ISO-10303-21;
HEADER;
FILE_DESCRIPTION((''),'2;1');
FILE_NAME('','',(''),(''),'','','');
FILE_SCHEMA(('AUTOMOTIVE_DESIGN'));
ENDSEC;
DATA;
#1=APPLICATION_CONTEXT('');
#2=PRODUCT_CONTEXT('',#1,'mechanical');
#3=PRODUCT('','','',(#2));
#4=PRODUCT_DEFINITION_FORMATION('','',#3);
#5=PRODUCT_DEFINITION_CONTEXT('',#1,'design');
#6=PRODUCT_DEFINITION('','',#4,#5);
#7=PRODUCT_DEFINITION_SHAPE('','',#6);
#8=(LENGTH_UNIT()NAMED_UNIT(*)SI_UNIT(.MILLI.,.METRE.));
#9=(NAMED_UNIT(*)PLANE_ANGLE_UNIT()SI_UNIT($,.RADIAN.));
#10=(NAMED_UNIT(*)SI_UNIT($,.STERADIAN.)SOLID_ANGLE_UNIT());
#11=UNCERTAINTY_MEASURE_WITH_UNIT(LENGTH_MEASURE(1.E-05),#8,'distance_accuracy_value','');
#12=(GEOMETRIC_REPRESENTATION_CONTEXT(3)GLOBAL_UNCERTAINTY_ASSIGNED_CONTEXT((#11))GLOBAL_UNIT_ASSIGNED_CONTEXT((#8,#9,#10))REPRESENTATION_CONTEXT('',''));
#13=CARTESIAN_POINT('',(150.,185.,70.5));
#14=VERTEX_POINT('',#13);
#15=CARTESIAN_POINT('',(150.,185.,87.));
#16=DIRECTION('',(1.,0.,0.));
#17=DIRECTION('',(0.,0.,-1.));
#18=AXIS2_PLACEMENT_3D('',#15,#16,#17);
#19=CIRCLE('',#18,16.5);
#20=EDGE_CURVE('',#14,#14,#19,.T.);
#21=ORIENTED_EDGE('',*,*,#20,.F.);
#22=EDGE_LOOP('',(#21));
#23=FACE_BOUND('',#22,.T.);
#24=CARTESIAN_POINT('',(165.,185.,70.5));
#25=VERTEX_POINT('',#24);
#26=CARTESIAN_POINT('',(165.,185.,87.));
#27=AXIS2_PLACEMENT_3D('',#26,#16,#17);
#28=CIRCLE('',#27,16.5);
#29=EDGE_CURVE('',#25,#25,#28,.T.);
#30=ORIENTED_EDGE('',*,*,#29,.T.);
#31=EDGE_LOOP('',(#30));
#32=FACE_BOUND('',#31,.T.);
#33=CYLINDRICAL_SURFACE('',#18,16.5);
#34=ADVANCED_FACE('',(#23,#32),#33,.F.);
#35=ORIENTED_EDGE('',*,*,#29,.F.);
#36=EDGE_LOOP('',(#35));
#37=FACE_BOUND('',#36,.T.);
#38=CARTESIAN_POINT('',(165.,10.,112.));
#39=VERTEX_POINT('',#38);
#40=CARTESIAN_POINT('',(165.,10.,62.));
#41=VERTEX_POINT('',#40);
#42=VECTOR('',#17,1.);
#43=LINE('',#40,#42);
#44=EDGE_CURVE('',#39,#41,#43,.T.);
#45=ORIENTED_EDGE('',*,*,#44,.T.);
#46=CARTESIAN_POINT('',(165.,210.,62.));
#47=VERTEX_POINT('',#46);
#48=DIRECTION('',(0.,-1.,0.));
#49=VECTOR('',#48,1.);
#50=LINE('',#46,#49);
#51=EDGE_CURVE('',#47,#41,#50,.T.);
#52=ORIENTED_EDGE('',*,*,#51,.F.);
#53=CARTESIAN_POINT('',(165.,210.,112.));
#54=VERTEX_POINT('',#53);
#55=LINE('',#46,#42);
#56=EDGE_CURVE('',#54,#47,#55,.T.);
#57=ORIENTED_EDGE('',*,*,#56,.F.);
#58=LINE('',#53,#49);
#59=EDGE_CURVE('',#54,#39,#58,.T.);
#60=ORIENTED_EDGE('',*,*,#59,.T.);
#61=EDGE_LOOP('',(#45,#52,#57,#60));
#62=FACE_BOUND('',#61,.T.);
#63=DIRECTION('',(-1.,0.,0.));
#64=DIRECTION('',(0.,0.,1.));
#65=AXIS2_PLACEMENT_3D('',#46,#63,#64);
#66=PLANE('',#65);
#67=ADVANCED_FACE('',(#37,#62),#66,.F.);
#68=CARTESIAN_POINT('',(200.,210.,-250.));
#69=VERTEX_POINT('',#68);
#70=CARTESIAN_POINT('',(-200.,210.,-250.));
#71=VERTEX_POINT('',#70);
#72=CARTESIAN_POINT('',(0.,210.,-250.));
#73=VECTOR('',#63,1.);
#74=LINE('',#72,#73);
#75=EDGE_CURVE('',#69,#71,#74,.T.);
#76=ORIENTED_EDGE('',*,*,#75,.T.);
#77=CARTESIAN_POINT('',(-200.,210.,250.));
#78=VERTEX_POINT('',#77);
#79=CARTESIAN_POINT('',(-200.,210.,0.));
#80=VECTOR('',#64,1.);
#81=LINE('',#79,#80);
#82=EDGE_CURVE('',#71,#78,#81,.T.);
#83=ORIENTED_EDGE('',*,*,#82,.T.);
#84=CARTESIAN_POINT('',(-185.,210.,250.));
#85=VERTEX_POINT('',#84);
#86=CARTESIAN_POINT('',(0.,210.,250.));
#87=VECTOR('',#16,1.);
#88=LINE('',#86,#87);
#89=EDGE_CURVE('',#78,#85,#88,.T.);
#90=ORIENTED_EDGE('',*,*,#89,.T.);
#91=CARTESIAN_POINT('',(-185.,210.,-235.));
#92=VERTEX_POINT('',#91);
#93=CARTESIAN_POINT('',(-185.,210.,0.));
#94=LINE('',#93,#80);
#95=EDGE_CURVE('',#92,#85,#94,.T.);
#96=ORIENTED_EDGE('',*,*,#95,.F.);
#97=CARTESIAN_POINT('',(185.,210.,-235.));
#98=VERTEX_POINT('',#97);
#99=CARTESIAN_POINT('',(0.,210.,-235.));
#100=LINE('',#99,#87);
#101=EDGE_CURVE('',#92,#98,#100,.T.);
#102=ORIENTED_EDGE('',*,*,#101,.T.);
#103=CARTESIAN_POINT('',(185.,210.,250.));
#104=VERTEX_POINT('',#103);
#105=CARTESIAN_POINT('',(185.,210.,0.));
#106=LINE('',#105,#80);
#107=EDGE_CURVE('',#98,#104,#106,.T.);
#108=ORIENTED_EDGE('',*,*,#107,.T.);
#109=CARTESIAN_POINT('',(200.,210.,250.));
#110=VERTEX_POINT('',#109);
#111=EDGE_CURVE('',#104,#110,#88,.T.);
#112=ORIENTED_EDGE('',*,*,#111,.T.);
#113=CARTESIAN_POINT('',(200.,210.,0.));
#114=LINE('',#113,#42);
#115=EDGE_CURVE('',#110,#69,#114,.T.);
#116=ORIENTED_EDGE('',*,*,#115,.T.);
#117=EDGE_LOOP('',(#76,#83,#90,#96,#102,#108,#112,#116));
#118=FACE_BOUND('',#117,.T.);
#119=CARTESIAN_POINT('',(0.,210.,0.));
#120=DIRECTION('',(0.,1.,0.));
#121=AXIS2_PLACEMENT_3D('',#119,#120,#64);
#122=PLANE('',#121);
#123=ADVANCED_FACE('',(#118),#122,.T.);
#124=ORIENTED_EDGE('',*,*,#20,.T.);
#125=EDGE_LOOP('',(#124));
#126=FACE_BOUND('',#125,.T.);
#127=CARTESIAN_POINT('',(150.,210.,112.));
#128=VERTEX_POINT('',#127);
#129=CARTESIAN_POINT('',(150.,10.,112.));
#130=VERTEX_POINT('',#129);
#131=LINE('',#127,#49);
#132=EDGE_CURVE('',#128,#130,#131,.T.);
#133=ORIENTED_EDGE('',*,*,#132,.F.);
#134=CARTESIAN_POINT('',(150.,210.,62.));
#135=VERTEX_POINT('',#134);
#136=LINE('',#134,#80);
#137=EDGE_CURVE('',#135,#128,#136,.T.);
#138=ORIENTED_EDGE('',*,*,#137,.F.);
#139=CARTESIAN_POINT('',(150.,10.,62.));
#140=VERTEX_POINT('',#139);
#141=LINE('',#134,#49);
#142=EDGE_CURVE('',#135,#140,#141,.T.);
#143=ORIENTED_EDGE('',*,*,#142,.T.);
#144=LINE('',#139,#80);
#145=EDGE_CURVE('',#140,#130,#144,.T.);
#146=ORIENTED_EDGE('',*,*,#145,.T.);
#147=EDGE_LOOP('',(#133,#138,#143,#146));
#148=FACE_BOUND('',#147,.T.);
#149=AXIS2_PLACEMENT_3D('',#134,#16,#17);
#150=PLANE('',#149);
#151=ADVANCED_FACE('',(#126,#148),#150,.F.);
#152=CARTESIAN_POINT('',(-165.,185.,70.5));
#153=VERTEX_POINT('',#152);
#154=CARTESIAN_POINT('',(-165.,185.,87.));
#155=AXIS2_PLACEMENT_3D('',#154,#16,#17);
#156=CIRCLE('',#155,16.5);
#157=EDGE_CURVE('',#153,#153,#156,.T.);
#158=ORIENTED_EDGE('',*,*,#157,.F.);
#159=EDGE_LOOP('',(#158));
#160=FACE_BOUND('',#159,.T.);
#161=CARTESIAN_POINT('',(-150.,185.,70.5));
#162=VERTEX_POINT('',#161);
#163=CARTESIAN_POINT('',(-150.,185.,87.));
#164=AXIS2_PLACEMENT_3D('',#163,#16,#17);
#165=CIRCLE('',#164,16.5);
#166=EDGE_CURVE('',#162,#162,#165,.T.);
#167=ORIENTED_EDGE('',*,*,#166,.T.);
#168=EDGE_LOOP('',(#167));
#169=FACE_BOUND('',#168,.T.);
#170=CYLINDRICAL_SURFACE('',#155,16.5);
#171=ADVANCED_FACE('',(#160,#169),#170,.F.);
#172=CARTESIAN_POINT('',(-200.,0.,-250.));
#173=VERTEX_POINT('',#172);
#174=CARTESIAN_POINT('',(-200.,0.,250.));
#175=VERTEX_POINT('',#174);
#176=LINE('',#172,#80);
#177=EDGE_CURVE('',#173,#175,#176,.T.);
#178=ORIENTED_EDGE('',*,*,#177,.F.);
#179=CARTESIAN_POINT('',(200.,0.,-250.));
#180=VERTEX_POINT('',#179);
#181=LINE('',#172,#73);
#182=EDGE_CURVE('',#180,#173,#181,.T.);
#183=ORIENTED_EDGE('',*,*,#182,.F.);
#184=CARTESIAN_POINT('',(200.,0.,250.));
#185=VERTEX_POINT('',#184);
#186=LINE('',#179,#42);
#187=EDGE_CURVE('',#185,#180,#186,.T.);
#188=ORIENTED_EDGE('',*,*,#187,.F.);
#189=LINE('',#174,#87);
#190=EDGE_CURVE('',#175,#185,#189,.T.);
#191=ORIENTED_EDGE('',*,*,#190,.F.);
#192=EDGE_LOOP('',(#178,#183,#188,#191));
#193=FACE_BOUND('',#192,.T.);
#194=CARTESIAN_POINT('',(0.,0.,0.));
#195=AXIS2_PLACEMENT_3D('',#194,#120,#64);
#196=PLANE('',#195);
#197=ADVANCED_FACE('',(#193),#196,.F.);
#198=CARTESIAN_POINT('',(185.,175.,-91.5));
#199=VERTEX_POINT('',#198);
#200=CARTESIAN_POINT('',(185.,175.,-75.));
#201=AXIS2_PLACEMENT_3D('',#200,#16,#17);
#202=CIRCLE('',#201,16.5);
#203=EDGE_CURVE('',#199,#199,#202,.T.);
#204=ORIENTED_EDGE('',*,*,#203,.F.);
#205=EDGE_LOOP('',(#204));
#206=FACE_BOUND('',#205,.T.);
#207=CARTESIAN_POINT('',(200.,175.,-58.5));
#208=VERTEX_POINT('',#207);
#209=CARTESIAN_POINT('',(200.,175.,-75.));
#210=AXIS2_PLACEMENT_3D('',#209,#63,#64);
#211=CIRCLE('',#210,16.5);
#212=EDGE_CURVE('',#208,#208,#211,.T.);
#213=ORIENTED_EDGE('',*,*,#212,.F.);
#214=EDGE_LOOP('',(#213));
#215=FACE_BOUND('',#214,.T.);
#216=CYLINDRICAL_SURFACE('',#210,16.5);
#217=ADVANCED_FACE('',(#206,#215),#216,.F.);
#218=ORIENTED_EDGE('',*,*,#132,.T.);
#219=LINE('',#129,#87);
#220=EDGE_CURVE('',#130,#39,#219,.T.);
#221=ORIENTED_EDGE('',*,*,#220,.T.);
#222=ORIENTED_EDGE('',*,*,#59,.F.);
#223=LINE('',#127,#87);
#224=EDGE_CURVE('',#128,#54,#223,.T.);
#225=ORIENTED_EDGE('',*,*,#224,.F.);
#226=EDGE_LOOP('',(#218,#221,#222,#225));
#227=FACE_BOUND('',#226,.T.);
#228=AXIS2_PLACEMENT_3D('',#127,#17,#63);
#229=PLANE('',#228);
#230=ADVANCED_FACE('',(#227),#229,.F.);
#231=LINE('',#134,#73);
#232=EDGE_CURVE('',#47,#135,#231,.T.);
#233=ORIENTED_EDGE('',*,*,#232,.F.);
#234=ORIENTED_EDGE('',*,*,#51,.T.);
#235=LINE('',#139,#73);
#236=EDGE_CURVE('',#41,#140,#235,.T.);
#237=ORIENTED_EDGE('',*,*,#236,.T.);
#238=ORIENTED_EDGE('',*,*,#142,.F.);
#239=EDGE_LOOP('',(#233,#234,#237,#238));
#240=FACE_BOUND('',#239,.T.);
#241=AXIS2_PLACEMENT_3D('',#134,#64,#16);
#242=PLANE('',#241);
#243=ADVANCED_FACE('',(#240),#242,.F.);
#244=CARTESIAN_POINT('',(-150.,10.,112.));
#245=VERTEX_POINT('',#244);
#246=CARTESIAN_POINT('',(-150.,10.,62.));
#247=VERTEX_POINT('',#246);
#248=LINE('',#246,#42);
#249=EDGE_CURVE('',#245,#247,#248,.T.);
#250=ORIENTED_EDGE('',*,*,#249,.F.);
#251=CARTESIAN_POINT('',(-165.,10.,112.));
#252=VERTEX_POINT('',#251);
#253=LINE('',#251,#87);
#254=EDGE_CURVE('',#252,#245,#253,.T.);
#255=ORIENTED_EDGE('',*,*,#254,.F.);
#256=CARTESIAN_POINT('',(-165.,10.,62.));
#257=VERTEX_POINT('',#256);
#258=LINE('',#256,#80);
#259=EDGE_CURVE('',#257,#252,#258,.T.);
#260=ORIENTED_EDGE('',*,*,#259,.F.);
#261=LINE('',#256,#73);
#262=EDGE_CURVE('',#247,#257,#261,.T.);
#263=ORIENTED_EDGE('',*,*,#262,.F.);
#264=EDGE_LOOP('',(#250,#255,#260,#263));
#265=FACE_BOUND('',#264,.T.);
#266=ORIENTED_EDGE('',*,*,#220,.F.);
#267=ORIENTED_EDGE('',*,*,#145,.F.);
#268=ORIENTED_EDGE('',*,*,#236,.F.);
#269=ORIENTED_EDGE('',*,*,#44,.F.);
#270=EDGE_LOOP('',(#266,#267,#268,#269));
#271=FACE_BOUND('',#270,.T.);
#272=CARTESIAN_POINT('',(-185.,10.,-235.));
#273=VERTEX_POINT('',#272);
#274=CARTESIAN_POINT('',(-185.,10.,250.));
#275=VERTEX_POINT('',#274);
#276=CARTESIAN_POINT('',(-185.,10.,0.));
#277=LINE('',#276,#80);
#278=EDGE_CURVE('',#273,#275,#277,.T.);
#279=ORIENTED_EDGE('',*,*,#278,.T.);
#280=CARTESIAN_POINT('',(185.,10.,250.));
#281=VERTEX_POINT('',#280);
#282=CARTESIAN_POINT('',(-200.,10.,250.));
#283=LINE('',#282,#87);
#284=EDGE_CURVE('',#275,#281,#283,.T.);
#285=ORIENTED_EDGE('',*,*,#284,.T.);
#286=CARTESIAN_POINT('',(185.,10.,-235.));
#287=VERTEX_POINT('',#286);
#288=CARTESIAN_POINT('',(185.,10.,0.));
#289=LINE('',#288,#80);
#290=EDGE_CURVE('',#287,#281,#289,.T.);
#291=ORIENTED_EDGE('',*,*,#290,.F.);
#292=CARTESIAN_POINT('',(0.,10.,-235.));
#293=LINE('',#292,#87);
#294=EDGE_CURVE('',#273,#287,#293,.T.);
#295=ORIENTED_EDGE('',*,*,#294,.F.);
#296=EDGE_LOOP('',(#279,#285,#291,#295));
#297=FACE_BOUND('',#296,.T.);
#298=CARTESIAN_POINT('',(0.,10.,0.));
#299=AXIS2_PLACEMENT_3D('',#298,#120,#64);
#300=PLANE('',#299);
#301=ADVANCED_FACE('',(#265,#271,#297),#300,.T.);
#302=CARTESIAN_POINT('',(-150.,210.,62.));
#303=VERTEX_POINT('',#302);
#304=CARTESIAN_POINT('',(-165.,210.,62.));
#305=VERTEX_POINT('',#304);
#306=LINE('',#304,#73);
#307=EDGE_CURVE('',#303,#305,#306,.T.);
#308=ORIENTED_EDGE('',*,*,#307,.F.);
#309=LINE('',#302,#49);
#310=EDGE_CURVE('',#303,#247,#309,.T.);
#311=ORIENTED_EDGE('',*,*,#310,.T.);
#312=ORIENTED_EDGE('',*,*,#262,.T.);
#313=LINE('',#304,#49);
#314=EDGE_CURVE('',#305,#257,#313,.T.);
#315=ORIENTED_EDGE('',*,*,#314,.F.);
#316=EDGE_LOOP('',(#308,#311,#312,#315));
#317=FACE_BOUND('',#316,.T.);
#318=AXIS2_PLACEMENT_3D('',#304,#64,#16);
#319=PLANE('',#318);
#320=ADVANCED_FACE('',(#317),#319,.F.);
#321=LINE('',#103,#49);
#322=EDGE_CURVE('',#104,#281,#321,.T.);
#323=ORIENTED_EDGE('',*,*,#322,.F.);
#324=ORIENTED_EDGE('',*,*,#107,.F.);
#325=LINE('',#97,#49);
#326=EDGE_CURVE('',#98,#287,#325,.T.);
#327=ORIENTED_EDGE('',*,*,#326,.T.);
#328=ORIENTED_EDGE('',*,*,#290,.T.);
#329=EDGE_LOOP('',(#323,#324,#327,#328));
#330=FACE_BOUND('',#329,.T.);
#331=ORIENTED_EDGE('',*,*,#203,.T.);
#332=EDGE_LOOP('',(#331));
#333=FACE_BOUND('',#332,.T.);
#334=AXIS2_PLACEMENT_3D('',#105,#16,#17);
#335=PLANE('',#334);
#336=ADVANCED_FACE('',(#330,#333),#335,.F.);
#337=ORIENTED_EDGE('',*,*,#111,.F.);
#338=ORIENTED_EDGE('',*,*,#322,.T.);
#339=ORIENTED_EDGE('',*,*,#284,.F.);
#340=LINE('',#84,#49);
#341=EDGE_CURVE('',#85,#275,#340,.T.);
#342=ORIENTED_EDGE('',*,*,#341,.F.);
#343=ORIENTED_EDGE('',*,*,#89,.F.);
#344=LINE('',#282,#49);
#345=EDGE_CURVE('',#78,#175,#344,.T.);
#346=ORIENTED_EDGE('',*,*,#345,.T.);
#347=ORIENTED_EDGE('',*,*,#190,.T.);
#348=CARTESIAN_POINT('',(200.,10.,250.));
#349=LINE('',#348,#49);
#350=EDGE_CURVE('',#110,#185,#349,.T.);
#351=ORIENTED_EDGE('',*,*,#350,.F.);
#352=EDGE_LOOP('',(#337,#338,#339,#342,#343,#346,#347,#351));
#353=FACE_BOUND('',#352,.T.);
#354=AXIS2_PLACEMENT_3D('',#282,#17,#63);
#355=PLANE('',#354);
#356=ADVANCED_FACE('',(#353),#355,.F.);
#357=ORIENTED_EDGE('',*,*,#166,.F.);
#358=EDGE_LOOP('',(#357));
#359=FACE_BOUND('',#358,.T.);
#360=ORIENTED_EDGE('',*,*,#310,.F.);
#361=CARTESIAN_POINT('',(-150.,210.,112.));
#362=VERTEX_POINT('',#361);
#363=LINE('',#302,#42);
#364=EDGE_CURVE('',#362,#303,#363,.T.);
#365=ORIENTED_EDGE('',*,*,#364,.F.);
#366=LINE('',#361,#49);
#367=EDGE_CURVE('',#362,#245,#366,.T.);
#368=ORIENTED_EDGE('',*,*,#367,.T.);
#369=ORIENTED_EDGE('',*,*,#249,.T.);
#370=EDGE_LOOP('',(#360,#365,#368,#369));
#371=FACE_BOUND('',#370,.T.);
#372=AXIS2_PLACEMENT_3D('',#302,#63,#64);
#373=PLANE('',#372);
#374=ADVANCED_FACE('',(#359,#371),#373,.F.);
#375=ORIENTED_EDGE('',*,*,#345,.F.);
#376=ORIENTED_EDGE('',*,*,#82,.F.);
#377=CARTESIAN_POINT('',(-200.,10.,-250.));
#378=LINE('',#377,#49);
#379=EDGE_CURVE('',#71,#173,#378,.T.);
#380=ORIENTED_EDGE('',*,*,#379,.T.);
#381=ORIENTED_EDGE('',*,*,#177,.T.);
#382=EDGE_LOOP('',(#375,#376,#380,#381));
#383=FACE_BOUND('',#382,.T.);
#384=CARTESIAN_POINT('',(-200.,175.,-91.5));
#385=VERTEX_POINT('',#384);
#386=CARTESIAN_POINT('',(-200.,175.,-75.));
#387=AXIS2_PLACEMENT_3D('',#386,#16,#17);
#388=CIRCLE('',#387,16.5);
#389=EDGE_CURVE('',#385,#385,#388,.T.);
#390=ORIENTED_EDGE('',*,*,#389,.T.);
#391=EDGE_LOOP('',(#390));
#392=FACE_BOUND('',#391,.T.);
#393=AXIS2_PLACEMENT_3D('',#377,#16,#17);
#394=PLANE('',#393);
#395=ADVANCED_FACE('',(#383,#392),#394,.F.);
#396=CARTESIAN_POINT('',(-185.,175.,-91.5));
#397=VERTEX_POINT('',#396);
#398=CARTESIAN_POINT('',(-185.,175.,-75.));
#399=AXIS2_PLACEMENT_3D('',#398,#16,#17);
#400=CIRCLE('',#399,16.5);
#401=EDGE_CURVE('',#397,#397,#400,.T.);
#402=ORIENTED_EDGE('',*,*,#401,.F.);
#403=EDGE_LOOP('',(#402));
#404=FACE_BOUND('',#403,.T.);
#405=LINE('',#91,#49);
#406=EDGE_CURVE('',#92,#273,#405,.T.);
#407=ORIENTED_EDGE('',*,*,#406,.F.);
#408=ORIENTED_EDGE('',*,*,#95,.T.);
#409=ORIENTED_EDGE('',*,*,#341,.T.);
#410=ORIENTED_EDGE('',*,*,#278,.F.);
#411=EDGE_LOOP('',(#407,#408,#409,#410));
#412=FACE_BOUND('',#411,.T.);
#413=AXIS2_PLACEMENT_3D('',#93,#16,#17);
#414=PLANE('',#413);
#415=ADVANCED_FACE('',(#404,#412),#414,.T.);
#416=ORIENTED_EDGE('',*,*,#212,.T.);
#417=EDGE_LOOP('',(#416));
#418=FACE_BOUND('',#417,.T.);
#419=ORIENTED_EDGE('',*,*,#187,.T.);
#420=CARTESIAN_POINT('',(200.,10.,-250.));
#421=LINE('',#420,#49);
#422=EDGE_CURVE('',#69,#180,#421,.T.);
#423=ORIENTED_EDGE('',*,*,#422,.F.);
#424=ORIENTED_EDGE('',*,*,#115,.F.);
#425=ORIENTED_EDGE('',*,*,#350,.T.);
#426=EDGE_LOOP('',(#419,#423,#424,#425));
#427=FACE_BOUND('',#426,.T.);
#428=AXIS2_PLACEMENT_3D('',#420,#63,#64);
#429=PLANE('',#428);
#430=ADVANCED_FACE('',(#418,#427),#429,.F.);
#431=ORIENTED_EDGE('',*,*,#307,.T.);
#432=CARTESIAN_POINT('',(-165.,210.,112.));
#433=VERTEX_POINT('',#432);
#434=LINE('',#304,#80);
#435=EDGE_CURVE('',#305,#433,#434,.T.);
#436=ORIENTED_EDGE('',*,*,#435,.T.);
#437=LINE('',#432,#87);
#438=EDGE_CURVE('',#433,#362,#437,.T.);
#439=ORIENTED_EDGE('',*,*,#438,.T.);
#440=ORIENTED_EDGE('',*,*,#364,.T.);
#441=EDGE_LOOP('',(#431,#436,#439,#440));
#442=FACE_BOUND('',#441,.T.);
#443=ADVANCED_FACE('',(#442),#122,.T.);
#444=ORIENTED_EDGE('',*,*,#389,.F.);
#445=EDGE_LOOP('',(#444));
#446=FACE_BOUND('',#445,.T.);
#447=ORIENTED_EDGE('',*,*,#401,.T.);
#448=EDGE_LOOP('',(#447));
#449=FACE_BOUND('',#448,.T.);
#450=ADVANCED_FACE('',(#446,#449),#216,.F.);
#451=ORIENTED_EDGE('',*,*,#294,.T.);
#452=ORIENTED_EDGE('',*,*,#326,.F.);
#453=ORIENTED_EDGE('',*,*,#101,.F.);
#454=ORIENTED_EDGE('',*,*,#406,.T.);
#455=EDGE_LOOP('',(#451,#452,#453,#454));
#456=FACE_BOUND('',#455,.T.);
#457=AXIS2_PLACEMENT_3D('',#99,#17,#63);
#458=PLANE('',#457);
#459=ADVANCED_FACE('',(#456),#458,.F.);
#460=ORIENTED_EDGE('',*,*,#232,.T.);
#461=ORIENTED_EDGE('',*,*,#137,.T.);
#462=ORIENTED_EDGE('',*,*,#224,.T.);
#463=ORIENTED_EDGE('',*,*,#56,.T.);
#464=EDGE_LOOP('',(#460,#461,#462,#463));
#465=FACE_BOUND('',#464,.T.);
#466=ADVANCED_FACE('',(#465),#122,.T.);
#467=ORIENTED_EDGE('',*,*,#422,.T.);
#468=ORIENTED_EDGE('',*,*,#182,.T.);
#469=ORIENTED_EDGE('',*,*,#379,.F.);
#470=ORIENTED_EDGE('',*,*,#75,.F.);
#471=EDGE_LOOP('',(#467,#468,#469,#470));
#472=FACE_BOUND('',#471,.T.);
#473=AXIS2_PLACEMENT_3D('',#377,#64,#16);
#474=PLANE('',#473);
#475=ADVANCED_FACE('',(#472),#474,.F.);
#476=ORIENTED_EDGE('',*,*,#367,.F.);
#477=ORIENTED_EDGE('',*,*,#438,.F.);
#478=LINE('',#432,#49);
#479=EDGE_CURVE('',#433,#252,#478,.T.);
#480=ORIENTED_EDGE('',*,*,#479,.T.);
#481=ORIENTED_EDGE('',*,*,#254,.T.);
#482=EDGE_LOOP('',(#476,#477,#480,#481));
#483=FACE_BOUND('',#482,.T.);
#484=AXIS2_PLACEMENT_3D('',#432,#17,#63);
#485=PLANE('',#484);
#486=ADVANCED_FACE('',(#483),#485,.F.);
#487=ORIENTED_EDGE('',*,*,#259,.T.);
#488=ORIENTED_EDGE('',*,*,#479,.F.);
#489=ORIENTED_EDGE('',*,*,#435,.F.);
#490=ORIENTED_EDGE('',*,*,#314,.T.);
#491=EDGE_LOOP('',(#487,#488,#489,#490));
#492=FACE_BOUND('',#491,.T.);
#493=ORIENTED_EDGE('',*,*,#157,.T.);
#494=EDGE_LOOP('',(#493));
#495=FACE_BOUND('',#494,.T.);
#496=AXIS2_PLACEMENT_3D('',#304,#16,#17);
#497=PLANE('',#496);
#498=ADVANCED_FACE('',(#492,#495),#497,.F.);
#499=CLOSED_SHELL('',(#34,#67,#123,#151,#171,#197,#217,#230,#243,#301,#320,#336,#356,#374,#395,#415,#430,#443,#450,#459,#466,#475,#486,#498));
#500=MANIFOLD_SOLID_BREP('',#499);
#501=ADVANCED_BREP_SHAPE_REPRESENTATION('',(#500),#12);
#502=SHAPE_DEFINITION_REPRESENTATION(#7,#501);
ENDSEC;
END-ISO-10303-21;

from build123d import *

# Parameters (mm, degrees)
SKETCH3_W               = 400
SKETCH3_H               = 500
BOSS_EXTRUDE1_DEPTH     = 10
BOSS_EXTRUDE3_DEPTH     = 200
CUT_EXTRUDE1_DEPTH      = 517.333225737
CUT_EXTRUDE1_DEPTH_BACK = 517.333225737
SKETCH5_R               = 16.5
SKETCH6_W               = 15
SKETCH6_H               = 50
BOSS_EXTRUDE4_DEPTH     = 200
SKETCH9_R               = 16.5
CUT_EXTRUDE3_DEPTH      = 15
SKETCH10_R              = 16.5
CUT_EXTRUDE4_DEPTH      = 15


with BuildPart() as part:
    # Sketch3 → Boss-Extrude1 (new body)
    with BuildSketch(Plane(origin=(0, 0, 0), x_dir=(1, 0, 0), z_dir=(0, 1, 0))):
        Rectangle(SKETCH3_W, SKETCH3_H)
    extrude(amount=BOSS_EXTRUDE1_DEPTH)

    # Sketch4 → Boss-Extrude3 (add)
    with BuildSketch(Plane(origin=(0, 10, 0), x_dir=(1, 0, 0), z_dir=(0, 1, 0))):
        Polygon((-185, -250), (-185, -235), (-185, 235), (185, 235), (185, -235), (185, -250), (200, -250), (200, 250), (-200, 250), (-200, -250), align=None)
    extrude(amount=BOSS_EXTRUDE3_DEPTH)

    # Sketch5 → Cut-Extrude1 (cut, two sides: drawn at the far end of the back side and taken through both)
    with BuildSketch(Plane.ZY.offset(200).offset(-CUT_EXTRUDE1_DEPTH_BACK)):
        with Locations(Location((-75, 175, 0), (0, 0, 180))):
            Circle(SKETCH5_R)
    extrude(amount=CUT_EXTRUDE1_DEPTH + CUT_EXTRUDE1_DEPTH_BACK, mode=Mode.SUBTRACT)

    # Sketch6 → Boss-Extrude4 (add)
    with BuildSketch(Plane(origin=(0, 10, 0), x_dir=(1, 0, 0), z_dir=(0, 1, 0))):
        with Locations((-157.5, -87)):
            Rectangle(SKETCH6_W, SKETCH6_H)
        with Locations((157.5, -87)):
            Rectangle(SKETCH6_W, SKETCH6_H)
    extrude(amount=BOSS_EXTRUDE4_DEPTH)

    # Sketch9 → Cut-Extrude3 (cut)
    with BuildSketch(Plane(origin=(-150, 0, 0), x_dir=(0, 0, -1), z_dir=(1, 0, 0))):
        with Locations((-87, 185)):
            Circle(SKETCH9_R)
    extrude(amount=-CUT_EXTRUDE3_DEPTH, mode=Mode.SUBTRACT)

    # Sketch10 → Cut-Extrude4 (cut)
    with BuildSketch(Plane(origin=(165, 0, 0), x_dir=(0, 0, -1), z_dir=(1, 0, 0))):
        with Locations((-87, 185)):
            Circle(SKETCH10_R)
    extrude(amount=-CUT_EXTRUDE4_DEPTH, mode=Mode.SUBTRACT)


solid = part.part
